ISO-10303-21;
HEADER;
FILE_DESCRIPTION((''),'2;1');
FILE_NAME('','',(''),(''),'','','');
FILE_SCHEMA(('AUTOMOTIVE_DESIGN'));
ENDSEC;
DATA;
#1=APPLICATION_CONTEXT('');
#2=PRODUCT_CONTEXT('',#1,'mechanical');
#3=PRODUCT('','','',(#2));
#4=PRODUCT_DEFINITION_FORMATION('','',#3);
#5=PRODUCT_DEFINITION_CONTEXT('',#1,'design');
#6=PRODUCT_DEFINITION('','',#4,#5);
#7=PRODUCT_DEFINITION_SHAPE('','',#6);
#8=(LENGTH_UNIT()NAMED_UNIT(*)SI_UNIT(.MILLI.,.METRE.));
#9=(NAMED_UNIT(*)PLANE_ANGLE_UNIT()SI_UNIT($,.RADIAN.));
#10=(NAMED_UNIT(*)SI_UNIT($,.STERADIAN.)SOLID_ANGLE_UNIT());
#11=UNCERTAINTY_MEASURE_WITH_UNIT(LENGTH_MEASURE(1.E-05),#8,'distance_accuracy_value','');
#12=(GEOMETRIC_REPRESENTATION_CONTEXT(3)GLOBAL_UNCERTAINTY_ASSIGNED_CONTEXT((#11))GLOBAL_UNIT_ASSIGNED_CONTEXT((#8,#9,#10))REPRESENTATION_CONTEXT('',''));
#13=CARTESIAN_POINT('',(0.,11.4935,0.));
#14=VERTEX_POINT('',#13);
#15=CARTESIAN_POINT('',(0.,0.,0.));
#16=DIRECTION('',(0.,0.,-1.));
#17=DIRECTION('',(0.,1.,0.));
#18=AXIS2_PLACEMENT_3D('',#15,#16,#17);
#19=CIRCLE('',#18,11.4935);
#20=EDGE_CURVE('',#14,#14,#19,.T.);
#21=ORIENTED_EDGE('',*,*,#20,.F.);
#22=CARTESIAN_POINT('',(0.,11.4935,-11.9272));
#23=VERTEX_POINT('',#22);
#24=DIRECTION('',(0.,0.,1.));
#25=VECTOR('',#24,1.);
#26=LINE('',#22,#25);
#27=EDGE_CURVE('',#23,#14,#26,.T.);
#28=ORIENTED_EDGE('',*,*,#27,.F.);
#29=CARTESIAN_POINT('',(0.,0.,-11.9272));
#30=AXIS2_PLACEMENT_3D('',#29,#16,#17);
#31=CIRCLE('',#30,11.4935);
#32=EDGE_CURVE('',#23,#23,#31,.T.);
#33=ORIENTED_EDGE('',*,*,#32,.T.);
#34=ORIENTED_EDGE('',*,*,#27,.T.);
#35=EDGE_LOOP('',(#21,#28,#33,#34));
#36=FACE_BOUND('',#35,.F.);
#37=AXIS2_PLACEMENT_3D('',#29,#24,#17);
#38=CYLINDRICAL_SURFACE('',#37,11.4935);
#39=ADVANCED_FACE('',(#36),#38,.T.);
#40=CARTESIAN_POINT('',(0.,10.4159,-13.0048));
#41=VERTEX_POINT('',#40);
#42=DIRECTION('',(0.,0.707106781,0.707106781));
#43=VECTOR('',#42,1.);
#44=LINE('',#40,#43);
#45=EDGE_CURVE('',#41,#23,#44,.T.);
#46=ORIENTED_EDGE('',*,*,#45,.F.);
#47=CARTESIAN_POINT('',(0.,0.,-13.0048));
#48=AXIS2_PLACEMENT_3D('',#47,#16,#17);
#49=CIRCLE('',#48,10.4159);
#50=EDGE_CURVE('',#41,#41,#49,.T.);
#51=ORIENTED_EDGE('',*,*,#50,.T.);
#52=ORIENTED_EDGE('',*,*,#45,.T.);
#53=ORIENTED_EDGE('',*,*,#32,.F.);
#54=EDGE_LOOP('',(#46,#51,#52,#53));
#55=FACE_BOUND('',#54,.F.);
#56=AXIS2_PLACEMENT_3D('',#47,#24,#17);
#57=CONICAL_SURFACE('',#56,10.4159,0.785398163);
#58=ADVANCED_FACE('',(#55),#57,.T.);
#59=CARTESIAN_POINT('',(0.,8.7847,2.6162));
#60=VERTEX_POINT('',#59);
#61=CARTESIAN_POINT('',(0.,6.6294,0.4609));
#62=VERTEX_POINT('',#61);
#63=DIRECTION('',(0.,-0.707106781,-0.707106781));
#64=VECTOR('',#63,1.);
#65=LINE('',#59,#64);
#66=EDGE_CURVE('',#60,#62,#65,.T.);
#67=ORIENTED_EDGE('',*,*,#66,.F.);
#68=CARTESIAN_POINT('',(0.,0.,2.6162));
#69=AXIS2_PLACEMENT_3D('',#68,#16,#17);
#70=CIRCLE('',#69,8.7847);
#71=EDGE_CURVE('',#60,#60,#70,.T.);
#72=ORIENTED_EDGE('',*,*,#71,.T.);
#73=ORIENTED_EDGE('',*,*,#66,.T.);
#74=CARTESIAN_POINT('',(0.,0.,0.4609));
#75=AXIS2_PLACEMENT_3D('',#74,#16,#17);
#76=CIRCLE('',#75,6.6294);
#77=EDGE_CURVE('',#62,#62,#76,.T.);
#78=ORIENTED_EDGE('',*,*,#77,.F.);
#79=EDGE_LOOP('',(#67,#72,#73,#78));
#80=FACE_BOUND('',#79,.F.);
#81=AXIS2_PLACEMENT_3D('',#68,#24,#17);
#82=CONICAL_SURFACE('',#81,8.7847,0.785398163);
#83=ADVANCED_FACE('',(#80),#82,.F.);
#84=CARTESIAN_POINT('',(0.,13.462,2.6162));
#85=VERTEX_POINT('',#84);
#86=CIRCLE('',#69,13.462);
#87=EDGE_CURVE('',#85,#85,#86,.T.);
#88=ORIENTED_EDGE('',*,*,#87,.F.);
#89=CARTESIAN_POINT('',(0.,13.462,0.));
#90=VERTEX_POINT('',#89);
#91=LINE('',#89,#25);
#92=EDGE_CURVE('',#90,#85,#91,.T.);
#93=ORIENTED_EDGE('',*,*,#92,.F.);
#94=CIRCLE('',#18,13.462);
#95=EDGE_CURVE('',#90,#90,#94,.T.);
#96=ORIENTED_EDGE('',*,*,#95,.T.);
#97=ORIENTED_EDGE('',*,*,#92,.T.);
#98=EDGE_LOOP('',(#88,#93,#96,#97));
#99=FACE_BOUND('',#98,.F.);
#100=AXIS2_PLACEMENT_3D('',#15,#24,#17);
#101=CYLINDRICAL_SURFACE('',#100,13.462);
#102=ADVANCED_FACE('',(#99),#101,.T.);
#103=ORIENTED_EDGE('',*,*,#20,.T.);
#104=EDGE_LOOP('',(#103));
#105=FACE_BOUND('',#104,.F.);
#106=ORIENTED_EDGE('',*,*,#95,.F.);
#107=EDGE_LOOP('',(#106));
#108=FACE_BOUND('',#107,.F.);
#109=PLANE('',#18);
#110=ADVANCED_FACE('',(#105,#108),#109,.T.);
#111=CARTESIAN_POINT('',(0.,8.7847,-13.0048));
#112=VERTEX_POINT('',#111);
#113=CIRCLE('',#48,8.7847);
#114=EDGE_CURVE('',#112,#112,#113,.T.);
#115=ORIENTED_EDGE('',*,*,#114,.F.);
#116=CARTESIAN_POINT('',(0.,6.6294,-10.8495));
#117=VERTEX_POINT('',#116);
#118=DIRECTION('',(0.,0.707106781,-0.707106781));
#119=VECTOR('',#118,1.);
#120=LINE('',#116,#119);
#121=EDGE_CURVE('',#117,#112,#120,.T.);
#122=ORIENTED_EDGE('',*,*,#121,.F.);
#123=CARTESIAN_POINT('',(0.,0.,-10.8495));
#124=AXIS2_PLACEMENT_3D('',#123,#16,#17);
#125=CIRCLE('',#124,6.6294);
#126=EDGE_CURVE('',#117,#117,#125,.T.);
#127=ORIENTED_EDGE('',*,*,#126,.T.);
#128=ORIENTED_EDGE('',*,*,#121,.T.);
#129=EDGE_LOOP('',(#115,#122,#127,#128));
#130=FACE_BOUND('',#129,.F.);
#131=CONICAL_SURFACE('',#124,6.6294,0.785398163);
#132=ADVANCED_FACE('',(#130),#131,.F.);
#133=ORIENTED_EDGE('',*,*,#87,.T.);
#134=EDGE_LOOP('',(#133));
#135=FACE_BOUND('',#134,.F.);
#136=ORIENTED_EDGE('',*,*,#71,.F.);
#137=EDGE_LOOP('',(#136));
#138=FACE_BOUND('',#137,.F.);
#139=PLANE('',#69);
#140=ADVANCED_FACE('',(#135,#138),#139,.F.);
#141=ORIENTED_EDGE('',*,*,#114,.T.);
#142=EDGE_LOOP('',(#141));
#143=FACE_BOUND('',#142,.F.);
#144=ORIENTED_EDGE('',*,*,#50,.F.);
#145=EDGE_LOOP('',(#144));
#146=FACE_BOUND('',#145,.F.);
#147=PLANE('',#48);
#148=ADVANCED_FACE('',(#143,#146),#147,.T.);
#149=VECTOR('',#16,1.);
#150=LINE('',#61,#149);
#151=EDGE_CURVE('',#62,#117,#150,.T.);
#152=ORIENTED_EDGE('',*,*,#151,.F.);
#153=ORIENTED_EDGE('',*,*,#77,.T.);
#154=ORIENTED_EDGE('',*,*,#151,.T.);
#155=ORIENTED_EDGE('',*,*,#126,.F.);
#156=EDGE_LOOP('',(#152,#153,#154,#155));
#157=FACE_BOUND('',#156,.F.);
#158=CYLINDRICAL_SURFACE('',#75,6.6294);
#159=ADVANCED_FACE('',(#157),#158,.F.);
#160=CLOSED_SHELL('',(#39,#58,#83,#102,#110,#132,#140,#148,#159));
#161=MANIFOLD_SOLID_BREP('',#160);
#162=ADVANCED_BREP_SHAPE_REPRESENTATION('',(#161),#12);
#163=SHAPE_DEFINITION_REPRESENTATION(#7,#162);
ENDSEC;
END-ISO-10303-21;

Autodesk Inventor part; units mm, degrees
sketch "Sketch_2" plane through (0, 0, 0) normal (1, 0, 0) x (0, 1, 0)
  line L0 (0, -13.0048) -> (0, 2.6162)
  line L1 (8.7847, 2.6162) -> (6.6294, 0.4609)
  line L2 (6.6294, 0.4609) -> (6.6294, -10.8495)
  line L3 (6.6294, -10.8495) -> (8.7847, -13.0048)
  line L4 (8.7847, -13.0048) -> (10.4159, -13.0048)
  line L5 (10.4159, -13.0048) -> (11.4935, -11.9272)
  line L6 (11.4935, -11.9272) -> (11.4935, 0)
  line L7 (11.4935, 0) -> (13.462, 0)
  line L8 (13.462, 0) -> (13.462, 2.6162)
  line L9 (13.462, 2.6162) -> (8.7847, 2.6162)
revolve "Revolution1" add sketch "Sketch_2" angle 360 about axis through (0, 0, -13.0048) along (0, 0, -1)
ref_plane "bearings_XY" through (0, 0, 0) normal (0, 0, 1) x (1, 0, 0)
ref_plane "bearings_YZ" through (0, 0, 0) normal (1, 0, 0) x (0, 1, 0)
ref_plane "bearings_ZX" through (0, 0, 0) normal (0, 1, 0) x (0, 0, 1)
ref_plane "to_washer1_XY" through (0, 0, 0) normal (0, 0, 1) x (1, 0, 0)
ref_plane "to_washer1_YZ" through (0, 0, 0) normal (1, 0, 0) x (0, 1, 0)
ref_plane "to_washer1_ZX" through (0, 0, 0) normal (0, 1, 0) x (0, 0, 1)
ref_plane "to_washer2_XY" through (0, 0, 0) normal (0, 0, 1) x (1, 0, 0)
ref_plane "to_washer2_YZ" through (0, 0, 0) normal (1, 0, 0) x (0, 1, 0)
ref_plane "to_washer2_ZX" through (0, 0, 0) normal (0, 1, 0) x (0, 0, 1)
properties part number "52008.48"
